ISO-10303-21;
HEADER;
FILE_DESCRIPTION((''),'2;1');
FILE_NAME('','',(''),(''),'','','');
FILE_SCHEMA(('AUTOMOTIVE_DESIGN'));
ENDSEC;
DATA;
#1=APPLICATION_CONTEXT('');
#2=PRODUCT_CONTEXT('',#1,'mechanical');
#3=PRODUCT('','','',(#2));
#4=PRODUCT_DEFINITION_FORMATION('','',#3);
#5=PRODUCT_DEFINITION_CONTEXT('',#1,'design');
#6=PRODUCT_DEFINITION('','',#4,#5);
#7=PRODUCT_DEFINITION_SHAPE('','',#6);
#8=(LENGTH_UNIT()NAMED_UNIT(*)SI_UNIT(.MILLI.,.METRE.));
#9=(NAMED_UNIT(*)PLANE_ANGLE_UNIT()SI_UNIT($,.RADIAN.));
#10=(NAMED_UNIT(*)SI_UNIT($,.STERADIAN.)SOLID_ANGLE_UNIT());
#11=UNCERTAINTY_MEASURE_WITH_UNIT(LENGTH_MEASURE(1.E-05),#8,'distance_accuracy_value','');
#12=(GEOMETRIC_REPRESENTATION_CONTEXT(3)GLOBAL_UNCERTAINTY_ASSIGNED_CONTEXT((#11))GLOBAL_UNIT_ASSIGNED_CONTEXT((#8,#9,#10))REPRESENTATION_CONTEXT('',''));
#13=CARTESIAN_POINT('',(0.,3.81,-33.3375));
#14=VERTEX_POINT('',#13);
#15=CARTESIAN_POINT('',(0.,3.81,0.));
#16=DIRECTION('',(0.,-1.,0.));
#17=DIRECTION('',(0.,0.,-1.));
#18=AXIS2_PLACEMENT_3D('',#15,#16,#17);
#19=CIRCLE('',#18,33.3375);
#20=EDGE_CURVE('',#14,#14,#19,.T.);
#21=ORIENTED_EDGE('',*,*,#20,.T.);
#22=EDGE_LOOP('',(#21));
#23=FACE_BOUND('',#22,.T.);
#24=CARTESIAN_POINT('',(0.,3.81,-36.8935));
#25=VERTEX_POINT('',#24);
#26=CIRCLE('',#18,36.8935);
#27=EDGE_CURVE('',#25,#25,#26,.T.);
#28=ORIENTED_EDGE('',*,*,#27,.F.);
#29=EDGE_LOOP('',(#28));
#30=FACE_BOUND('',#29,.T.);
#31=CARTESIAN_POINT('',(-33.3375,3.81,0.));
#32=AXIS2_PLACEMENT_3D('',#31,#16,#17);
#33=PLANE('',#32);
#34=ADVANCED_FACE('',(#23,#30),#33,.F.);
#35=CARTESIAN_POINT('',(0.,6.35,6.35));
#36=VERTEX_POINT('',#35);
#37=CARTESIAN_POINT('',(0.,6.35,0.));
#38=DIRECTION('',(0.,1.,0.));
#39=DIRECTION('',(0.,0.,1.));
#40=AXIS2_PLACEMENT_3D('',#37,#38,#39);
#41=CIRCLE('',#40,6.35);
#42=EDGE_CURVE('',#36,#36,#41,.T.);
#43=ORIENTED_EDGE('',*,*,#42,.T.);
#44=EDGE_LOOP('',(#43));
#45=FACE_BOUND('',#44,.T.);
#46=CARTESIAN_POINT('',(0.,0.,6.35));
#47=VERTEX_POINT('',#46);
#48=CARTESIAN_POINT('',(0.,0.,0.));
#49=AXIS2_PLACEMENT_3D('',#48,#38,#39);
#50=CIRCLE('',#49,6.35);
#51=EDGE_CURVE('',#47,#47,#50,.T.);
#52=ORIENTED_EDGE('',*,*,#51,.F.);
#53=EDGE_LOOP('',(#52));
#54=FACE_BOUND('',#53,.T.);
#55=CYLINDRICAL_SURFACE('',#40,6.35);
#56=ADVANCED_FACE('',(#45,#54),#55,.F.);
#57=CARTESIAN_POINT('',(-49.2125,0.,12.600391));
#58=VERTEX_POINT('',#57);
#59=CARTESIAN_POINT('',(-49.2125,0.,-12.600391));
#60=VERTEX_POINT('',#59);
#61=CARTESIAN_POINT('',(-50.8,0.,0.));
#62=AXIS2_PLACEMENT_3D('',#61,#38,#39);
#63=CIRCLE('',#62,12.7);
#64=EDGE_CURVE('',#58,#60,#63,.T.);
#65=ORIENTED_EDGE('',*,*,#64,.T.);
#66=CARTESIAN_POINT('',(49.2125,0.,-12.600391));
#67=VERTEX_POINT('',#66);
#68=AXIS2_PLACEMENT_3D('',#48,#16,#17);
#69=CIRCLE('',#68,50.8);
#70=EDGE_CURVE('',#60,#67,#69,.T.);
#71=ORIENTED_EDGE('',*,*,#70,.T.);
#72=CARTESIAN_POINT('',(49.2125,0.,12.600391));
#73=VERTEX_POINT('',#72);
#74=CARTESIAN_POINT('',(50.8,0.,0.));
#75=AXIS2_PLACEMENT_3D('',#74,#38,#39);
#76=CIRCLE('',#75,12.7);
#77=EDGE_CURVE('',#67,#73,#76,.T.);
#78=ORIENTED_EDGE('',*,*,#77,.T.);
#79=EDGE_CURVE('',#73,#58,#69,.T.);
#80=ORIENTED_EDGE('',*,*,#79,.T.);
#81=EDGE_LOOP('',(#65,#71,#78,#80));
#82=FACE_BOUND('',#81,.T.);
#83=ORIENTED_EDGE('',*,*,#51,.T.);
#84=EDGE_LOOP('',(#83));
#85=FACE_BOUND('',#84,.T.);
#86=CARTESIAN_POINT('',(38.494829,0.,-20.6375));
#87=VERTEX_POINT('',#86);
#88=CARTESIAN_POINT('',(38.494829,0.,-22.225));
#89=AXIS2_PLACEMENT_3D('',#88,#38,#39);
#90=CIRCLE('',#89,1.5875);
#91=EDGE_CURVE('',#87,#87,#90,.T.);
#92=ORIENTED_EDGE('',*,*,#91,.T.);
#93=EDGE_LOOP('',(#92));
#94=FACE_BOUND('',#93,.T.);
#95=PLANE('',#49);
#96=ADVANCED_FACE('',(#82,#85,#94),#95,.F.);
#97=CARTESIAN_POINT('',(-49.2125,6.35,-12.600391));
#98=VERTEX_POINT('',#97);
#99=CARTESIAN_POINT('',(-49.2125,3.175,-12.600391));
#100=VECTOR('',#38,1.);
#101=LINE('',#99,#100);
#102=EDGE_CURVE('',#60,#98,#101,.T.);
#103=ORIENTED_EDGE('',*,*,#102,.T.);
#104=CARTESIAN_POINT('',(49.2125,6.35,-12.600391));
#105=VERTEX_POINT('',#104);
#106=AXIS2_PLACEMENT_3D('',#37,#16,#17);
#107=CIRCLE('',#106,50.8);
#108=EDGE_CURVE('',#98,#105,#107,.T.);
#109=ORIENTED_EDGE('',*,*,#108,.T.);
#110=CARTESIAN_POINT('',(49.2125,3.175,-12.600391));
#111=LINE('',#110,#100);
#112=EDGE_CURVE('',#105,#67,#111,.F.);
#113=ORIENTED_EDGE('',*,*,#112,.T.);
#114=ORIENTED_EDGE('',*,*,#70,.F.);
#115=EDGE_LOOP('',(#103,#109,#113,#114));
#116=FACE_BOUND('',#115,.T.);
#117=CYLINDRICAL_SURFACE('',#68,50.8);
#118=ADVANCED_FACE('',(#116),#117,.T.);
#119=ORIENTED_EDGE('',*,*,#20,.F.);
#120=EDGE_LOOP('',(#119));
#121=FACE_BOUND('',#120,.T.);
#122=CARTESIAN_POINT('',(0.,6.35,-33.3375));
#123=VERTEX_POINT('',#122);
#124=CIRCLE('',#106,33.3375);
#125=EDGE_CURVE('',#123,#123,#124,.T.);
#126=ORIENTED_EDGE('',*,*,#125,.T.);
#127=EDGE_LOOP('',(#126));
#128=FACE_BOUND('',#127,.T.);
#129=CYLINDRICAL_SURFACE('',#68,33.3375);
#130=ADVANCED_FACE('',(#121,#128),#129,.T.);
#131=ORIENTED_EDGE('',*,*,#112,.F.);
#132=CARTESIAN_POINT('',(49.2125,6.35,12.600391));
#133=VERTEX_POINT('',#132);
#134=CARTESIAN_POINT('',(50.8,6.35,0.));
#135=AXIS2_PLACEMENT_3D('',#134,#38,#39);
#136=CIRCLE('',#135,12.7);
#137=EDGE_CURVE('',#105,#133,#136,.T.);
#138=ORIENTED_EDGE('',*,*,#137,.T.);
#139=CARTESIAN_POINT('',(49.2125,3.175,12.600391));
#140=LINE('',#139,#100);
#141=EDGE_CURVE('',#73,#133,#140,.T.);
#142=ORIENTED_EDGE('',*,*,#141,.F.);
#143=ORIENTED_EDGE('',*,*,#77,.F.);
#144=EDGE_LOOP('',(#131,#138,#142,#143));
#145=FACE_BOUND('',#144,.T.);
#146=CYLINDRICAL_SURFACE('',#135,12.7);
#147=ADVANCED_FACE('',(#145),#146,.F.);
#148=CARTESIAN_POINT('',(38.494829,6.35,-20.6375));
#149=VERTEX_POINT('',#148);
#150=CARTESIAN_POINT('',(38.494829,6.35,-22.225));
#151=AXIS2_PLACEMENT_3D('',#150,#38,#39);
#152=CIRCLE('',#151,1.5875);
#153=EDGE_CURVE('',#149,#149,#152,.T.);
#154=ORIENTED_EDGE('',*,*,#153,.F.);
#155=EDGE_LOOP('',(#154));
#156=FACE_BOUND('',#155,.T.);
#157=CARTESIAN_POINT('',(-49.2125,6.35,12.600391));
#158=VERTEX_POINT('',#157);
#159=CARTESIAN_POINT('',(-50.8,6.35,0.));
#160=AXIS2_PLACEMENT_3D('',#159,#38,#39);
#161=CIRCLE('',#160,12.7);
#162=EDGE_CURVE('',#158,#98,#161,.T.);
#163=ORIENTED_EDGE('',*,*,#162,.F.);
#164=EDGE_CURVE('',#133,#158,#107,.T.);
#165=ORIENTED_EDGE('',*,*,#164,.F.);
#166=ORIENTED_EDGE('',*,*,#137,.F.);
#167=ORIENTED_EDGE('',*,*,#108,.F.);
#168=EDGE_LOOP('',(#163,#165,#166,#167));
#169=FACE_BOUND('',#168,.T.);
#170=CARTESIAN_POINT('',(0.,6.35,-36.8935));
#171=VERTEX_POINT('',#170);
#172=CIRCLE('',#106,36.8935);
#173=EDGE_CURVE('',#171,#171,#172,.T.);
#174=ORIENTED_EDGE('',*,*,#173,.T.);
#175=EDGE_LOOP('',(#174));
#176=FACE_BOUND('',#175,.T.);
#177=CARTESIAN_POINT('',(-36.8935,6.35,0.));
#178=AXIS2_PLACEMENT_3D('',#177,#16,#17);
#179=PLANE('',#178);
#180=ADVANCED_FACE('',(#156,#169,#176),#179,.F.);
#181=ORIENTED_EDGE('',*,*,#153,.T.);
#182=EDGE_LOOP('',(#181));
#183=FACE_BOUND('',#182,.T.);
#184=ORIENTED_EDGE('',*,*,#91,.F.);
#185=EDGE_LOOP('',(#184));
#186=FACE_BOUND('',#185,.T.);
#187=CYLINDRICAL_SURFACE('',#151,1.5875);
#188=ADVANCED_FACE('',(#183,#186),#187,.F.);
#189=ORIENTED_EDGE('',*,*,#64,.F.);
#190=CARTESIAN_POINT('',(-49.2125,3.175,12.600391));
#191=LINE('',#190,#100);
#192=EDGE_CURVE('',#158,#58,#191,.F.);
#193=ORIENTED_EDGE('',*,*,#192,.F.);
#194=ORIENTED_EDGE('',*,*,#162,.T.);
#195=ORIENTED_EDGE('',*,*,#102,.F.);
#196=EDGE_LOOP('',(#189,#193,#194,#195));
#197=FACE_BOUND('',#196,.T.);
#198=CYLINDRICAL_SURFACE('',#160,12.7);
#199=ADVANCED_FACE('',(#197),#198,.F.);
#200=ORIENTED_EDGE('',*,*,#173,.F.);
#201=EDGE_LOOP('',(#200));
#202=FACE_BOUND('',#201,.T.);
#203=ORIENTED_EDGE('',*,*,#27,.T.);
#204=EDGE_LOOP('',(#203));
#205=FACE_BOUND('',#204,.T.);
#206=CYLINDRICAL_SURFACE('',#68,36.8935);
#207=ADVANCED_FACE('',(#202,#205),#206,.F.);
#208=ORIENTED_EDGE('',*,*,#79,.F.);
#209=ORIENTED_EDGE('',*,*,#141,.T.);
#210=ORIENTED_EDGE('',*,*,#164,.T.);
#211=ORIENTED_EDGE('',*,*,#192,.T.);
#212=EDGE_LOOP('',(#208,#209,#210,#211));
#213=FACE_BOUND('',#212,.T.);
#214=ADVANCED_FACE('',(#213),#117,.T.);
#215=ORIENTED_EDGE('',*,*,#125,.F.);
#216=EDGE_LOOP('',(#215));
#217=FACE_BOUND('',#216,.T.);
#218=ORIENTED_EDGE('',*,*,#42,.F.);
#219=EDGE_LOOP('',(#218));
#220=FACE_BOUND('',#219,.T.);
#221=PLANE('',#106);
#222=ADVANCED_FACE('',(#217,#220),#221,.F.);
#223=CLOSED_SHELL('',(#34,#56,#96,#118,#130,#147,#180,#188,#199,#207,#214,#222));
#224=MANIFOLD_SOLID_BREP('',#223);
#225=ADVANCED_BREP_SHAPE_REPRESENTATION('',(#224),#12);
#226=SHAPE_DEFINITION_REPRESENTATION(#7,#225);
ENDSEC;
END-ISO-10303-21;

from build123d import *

# Parameters (mm, degrees)
F_1_2_0_5_DIAMETER_HOLE1_D   = 12.7
F_1_1_DIAMETER_HOLE1_D       = 25.4
F_1_8_0_125_DIAMETER_HOLE1_D = 3.175


with BuildPart() as part:
    # Sketch1 → Revolve1 (revolve)
    with BuildSketch(Plane.XY, mode=Mode.PRIVATE) as revolve1_sk:
        Polygon((-33.3375, 6.35), (-33.3375, 3.81), (-36.8935, 3.81), (-36.8935, 6.35), (-50.8, 6.35), (-50.8, 0), (0, 0), (0, 6.35), align=None)
    revolve(revolve1_sk.sketch.rotate(Axis((0, 0, 0), (0, 1, 0)), 270), axis=Axis((0, 0, 0), (0, 1, 0)))

    # 1/2 (0.5) Diameter Hole1 (through all)
    with Locations(Plane(origin=(0, 6.35, 0), x_dir=(1, 0, 0), z_dir=(0, 1, 0))):
        with Locations((0, 0)):
            Hole(F_1_2_0_5_DIAMETER_HOLE1_D / 2)

    # 1 (1) Diameter Hole1 (through all)
    with Locations(Plane(origin=(0, 6.35, 0), x_dir=(1, 0, 0), z_dir=(0, 1, 0))):
        with Locations((50.8, 0), (-50.8, 0)):
            Hole(F_1_1_DIAMETER_HOLE1_D / 2)

    # 1/8 (0.125) Diameter Hole1 (through all)
    with Locations(Plane(origin=(0, 6.35, 0), x_dir=(1, 0, 0), z_dir=(0, 1, 0))):
        with Locations((38.494829198, 22.225)):
            Hole(F_1_8_0_125_DIAMETER_HOLE1_D / 2)


solid = part.part
